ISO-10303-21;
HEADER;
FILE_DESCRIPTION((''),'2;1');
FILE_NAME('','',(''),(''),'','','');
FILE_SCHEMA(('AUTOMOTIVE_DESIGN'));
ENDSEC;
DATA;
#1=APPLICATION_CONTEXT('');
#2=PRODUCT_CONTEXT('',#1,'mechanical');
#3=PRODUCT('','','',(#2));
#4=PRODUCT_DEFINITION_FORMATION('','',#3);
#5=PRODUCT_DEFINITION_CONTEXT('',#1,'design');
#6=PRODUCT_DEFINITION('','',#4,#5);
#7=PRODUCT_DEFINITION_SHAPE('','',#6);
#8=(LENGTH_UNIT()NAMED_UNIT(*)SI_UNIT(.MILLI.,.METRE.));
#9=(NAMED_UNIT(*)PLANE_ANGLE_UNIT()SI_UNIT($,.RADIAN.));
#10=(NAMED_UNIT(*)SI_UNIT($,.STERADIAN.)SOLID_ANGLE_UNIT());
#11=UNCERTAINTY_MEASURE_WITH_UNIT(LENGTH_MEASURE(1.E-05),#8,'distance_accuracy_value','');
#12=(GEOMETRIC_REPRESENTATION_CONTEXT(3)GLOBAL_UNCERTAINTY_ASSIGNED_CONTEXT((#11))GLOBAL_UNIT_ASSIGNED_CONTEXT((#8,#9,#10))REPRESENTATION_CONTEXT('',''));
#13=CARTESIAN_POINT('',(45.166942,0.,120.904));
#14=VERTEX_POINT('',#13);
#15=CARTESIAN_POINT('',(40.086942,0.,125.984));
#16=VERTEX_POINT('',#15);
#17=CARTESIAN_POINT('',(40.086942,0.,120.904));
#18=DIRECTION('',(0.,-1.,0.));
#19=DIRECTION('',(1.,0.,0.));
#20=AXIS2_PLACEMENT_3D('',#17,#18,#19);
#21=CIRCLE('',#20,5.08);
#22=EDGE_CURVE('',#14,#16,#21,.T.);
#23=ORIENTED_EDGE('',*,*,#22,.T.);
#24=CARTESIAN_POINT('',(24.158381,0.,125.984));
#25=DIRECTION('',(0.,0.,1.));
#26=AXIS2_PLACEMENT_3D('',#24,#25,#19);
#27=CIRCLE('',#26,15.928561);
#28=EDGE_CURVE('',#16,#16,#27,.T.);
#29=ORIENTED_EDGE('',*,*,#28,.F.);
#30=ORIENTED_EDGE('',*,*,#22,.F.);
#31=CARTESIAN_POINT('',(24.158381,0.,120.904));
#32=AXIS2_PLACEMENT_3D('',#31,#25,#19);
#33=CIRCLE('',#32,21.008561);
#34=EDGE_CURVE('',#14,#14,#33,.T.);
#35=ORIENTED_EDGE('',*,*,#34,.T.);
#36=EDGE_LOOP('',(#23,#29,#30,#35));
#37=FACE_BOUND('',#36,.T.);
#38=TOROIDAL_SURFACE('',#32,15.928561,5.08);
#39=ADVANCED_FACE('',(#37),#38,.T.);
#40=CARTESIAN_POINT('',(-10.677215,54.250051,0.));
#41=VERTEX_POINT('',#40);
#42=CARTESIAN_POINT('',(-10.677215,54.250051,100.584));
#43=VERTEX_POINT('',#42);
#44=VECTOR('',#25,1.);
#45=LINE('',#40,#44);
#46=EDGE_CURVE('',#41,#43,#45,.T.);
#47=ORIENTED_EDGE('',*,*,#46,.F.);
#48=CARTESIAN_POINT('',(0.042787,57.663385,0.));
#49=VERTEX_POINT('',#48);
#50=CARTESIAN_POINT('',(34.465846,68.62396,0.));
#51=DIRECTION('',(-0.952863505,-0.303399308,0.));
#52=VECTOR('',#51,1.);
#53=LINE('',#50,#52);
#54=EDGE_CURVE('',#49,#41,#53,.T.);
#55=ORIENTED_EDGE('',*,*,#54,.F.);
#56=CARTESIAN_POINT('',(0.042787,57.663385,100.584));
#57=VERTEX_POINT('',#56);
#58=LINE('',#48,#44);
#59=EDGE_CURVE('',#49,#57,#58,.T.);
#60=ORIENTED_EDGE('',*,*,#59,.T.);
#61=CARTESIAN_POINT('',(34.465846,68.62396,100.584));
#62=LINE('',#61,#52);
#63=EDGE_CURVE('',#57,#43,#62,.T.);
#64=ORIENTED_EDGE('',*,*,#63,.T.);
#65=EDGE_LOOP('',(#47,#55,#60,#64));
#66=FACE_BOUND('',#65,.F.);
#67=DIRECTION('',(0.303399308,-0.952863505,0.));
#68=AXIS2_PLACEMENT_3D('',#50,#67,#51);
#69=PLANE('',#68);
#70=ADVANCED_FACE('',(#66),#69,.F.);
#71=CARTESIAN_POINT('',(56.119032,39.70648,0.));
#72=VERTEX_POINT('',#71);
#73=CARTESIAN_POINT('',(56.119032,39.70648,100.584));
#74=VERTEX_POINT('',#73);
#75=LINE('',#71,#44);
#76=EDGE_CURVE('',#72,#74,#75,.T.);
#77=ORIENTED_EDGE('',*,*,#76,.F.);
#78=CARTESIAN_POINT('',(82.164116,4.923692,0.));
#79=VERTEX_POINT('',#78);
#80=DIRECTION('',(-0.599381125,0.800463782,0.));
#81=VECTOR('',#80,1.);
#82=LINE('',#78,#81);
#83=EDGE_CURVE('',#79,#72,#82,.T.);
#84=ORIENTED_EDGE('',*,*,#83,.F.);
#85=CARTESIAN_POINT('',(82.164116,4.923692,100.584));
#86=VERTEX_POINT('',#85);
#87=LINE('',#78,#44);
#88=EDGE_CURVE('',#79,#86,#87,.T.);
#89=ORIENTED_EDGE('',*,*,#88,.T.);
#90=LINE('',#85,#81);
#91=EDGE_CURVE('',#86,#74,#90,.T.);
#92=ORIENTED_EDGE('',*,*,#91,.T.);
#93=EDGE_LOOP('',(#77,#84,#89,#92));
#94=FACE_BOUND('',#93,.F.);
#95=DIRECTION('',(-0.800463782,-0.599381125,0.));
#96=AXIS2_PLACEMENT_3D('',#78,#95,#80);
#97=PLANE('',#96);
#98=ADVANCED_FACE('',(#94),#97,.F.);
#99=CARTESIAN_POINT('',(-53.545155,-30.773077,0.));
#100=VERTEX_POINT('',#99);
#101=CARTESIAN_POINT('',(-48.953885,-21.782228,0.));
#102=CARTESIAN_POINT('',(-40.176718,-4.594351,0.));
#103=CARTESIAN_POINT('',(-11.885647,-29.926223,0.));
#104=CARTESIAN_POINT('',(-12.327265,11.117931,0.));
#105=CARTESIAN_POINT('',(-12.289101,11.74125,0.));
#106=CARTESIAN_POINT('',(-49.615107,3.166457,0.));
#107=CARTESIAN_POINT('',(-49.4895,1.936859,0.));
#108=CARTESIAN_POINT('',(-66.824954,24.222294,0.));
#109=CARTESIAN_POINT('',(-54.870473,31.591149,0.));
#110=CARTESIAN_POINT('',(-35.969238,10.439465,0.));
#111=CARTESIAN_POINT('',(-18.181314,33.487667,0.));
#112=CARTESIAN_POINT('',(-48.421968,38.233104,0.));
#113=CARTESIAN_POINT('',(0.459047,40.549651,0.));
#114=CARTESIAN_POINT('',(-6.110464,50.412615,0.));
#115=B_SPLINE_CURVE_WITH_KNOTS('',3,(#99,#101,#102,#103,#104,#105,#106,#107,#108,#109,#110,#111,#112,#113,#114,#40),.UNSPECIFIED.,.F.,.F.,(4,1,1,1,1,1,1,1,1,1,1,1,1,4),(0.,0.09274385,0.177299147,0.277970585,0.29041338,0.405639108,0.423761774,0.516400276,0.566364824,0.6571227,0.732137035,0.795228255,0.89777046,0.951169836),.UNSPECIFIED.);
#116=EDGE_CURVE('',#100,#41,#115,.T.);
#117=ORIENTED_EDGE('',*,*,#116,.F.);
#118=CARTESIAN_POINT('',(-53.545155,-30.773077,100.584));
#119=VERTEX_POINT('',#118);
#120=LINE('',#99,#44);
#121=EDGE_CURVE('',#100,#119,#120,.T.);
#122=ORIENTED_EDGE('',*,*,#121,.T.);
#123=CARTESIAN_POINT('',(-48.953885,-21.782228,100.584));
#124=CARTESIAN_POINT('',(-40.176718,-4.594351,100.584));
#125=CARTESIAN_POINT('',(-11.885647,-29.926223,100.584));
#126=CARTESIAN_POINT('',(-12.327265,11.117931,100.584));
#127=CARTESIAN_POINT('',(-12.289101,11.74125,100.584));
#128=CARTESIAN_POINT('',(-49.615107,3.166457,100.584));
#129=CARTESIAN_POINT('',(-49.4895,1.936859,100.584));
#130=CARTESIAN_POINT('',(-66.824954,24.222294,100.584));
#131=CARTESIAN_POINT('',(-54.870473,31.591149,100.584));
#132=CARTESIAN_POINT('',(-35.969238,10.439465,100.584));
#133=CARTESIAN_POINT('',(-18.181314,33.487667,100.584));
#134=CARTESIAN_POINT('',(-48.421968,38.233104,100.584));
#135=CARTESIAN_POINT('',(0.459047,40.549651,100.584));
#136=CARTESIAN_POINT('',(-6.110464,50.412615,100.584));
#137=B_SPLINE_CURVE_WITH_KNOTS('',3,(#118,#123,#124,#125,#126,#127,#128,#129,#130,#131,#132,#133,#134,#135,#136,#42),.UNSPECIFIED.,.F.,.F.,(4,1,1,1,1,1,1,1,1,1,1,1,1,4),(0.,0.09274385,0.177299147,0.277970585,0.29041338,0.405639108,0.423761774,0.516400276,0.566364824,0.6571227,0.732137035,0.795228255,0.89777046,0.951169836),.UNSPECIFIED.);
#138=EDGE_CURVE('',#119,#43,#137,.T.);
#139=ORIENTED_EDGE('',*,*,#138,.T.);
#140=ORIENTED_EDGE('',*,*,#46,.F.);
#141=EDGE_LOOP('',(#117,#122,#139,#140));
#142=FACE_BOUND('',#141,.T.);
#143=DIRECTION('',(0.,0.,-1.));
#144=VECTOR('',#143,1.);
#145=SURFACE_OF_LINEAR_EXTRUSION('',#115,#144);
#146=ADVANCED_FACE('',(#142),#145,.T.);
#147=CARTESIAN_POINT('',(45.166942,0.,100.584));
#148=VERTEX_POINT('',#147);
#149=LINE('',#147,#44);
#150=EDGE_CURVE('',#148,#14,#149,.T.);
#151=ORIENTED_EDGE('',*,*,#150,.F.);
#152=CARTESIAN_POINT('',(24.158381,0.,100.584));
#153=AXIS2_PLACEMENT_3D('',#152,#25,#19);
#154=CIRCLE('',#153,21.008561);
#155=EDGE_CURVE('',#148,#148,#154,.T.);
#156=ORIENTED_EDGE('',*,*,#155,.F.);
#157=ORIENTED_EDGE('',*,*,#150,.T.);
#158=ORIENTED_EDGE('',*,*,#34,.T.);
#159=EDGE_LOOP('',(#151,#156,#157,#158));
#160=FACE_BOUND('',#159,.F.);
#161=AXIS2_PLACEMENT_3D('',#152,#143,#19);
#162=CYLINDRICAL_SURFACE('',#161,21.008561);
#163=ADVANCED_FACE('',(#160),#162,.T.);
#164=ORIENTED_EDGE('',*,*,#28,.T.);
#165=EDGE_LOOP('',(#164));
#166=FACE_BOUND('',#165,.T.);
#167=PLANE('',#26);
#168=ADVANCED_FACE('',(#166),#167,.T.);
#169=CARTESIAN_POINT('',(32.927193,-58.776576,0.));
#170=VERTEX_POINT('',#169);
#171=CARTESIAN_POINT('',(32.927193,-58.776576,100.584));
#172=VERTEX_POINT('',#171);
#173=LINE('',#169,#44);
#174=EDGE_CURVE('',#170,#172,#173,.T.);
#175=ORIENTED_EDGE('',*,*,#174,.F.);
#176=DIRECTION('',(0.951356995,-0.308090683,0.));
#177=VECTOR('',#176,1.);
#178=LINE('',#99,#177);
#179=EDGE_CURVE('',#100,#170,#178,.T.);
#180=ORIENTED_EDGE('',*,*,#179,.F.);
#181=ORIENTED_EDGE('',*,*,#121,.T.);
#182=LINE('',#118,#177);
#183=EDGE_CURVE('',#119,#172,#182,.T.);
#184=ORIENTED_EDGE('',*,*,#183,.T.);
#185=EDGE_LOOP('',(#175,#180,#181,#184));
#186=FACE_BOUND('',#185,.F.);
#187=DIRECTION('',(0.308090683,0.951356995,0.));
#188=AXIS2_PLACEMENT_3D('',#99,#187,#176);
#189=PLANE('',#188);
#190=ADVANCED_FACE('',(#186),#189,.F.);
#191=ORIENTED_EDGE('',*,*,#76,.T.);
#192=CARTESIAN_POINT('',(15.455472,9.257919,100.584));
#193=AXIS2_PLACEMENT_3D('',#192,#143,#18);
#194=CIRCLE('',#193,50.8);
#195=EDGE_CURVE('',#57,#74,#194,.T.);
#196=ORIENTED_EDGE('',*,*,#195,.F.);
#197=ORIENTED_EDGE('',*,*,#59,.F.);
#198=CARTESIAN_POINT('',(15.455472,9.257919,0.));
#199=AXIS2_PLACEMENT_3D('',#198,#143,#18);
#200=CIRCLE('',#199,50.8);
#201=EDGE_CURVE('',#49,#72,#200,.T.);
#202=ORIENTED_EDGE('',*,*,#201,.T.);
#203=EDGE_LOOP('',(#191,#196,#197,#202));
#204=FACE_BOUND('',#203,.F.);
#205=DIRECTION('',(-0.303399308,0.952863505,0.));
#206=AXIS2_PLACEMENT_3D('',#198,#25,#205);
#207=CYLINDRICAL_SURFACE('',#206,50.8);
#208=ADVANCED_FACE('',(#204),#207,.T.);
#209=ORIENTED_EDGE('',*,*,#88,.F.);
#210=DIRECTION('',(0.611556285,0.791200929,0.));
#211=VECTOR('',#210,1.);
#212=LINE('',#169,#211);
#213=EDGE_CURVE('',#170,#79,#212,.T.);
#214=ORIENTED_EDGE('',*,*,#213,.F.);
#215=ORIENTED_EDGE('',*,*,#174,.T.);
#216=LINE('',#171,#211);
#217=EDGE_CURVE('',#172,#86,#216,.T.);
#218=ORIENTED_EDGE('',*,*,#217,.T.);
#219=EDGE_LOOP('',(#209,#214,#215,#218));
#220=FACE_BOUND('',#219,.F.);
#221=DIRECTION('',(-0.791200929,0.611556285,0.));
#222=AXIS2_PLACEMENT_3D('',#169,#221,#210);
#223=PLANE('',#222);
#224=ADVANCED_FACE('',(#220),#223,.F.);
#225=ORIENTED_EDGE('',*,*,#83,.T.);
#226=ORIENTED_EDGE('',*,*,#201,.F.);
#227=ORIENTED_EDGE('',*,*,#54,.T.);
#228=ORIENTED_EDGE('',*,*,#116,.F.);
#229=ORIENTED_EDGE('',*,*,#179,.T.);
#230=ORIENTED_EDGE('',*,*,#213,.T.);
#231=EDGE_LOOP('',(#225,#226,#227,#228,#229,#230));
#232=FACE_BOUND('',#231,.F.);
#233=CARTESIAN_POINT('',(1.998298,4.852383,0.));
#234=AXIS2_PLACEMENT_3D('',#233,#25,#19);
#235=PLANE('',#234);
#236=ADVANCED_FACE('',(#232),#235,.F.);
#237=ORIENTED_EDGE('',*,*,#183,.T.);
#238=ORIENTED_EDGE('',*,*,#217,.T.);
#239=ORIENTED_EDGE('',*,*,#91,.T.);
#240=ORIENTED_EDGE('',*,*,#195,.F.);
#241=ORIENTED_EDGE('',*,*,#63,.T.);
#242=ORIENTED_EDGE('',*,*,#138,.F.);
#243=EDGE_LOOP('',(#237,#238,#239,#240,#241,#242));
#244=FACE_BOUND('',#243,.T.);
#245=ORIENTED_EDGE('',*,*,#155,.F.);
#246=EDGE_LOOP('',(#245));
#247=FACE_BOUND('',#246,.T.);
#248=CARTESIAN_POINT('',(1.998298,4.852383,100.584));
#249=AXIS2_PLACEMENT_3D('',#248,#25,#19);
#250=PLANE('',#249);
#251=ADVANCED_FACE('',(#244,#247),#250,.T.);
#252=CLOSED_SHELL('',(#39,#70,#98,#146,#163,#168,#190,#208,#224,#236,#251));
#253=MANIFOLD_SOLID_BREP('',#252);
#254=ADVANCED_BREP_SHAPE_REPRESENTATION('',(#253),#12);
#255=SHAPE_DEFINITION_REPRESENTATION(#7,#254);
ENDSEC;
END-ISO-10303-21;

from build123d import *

# Parameters (mm, degrees)
F1_DEPTH = 100.584
F2_R     = 21.0085608042
F3_DEPTH = 25.4
F4_R     = 5.08
F5_R     = 50.8


with BuildPart() as f1:
    # F0 (on Top) → F1 (new body)
    with BuildSketch(Plane.XY):
        with BuildLine():
            Line((34.4658456727, 68.6239600163), (-10.6772145308, 54.2500510843))
            add(Edge.make_bspline(
                [(-53.5451546311, -30.7730771601), (-48.953884833, -21.7822280471), (-40.176718286, -4.5943511563), (-11.8856471754, -29.9262225858), (-12.3272648066, 11.1179305974), (-12.2891005971, 11.7412501163), (-49.6151071133, 3.1664574029), (-49.4895004493, 1.9368588394), (-66.824953635, 24.2222937801), (-54.8704732991, 31.5911485631), (-35.969237516, 10.439465383), (-18.1813140385, 33.4876669437), (-48.4219679283, 38.2331035116), (0.4590473541, 40.5496510306), (-6.1104642104, 50.4126145669), (-10.6772145308, 54.2500510843)],
                knots=[0, 0, 0, 0, 0.0927438503, 0.1772991473, 0.2779705849, 0.2904133804, 0.405639108, 0.4237617736, 0.5164002758, 0.5663648237, 0.6571226995, 0.7321370355, 0.795228255, 0.8977704598, 0.9511698363, 0.9511698363, 0.9511698363, 0.9511698363], degree=3))
            Line((-53.5451546311, -30.7730771601), (32.9271927476, -58.776576072))
            Line((32.9271927476, -58.776576072), (82.1641162038, 4.9236924388))
            Line((82.1641162038, 4.9236924388), (34.4658456727, 68.6239600163))
        make_face()
    extrude(amount=F1_DEPTH)

    # F2 (on face) → F3 (join)
    with BuildSketch(Plane.XY.offset(100.584)):
        with Locations((24.1583809257, 0)):
            Circle(F2_R)
    extrude(amount=F3_DEPTH)

    # F4
    f4_edges = [f1.edges().sort_by_distance(p)[0] for p in [
        (3.14982, 0, 125.984),
    ]]
    fillet(f4_edges, radius=F4_R)

    # F5
    f5_edges = [f1.edges().sort_by_distance(p)[0] for p in [
        (34.465846, 68.62396, 50.292),
    ]]
    fillet(f5_edges, radius=F5_R)


solid = f1.part
